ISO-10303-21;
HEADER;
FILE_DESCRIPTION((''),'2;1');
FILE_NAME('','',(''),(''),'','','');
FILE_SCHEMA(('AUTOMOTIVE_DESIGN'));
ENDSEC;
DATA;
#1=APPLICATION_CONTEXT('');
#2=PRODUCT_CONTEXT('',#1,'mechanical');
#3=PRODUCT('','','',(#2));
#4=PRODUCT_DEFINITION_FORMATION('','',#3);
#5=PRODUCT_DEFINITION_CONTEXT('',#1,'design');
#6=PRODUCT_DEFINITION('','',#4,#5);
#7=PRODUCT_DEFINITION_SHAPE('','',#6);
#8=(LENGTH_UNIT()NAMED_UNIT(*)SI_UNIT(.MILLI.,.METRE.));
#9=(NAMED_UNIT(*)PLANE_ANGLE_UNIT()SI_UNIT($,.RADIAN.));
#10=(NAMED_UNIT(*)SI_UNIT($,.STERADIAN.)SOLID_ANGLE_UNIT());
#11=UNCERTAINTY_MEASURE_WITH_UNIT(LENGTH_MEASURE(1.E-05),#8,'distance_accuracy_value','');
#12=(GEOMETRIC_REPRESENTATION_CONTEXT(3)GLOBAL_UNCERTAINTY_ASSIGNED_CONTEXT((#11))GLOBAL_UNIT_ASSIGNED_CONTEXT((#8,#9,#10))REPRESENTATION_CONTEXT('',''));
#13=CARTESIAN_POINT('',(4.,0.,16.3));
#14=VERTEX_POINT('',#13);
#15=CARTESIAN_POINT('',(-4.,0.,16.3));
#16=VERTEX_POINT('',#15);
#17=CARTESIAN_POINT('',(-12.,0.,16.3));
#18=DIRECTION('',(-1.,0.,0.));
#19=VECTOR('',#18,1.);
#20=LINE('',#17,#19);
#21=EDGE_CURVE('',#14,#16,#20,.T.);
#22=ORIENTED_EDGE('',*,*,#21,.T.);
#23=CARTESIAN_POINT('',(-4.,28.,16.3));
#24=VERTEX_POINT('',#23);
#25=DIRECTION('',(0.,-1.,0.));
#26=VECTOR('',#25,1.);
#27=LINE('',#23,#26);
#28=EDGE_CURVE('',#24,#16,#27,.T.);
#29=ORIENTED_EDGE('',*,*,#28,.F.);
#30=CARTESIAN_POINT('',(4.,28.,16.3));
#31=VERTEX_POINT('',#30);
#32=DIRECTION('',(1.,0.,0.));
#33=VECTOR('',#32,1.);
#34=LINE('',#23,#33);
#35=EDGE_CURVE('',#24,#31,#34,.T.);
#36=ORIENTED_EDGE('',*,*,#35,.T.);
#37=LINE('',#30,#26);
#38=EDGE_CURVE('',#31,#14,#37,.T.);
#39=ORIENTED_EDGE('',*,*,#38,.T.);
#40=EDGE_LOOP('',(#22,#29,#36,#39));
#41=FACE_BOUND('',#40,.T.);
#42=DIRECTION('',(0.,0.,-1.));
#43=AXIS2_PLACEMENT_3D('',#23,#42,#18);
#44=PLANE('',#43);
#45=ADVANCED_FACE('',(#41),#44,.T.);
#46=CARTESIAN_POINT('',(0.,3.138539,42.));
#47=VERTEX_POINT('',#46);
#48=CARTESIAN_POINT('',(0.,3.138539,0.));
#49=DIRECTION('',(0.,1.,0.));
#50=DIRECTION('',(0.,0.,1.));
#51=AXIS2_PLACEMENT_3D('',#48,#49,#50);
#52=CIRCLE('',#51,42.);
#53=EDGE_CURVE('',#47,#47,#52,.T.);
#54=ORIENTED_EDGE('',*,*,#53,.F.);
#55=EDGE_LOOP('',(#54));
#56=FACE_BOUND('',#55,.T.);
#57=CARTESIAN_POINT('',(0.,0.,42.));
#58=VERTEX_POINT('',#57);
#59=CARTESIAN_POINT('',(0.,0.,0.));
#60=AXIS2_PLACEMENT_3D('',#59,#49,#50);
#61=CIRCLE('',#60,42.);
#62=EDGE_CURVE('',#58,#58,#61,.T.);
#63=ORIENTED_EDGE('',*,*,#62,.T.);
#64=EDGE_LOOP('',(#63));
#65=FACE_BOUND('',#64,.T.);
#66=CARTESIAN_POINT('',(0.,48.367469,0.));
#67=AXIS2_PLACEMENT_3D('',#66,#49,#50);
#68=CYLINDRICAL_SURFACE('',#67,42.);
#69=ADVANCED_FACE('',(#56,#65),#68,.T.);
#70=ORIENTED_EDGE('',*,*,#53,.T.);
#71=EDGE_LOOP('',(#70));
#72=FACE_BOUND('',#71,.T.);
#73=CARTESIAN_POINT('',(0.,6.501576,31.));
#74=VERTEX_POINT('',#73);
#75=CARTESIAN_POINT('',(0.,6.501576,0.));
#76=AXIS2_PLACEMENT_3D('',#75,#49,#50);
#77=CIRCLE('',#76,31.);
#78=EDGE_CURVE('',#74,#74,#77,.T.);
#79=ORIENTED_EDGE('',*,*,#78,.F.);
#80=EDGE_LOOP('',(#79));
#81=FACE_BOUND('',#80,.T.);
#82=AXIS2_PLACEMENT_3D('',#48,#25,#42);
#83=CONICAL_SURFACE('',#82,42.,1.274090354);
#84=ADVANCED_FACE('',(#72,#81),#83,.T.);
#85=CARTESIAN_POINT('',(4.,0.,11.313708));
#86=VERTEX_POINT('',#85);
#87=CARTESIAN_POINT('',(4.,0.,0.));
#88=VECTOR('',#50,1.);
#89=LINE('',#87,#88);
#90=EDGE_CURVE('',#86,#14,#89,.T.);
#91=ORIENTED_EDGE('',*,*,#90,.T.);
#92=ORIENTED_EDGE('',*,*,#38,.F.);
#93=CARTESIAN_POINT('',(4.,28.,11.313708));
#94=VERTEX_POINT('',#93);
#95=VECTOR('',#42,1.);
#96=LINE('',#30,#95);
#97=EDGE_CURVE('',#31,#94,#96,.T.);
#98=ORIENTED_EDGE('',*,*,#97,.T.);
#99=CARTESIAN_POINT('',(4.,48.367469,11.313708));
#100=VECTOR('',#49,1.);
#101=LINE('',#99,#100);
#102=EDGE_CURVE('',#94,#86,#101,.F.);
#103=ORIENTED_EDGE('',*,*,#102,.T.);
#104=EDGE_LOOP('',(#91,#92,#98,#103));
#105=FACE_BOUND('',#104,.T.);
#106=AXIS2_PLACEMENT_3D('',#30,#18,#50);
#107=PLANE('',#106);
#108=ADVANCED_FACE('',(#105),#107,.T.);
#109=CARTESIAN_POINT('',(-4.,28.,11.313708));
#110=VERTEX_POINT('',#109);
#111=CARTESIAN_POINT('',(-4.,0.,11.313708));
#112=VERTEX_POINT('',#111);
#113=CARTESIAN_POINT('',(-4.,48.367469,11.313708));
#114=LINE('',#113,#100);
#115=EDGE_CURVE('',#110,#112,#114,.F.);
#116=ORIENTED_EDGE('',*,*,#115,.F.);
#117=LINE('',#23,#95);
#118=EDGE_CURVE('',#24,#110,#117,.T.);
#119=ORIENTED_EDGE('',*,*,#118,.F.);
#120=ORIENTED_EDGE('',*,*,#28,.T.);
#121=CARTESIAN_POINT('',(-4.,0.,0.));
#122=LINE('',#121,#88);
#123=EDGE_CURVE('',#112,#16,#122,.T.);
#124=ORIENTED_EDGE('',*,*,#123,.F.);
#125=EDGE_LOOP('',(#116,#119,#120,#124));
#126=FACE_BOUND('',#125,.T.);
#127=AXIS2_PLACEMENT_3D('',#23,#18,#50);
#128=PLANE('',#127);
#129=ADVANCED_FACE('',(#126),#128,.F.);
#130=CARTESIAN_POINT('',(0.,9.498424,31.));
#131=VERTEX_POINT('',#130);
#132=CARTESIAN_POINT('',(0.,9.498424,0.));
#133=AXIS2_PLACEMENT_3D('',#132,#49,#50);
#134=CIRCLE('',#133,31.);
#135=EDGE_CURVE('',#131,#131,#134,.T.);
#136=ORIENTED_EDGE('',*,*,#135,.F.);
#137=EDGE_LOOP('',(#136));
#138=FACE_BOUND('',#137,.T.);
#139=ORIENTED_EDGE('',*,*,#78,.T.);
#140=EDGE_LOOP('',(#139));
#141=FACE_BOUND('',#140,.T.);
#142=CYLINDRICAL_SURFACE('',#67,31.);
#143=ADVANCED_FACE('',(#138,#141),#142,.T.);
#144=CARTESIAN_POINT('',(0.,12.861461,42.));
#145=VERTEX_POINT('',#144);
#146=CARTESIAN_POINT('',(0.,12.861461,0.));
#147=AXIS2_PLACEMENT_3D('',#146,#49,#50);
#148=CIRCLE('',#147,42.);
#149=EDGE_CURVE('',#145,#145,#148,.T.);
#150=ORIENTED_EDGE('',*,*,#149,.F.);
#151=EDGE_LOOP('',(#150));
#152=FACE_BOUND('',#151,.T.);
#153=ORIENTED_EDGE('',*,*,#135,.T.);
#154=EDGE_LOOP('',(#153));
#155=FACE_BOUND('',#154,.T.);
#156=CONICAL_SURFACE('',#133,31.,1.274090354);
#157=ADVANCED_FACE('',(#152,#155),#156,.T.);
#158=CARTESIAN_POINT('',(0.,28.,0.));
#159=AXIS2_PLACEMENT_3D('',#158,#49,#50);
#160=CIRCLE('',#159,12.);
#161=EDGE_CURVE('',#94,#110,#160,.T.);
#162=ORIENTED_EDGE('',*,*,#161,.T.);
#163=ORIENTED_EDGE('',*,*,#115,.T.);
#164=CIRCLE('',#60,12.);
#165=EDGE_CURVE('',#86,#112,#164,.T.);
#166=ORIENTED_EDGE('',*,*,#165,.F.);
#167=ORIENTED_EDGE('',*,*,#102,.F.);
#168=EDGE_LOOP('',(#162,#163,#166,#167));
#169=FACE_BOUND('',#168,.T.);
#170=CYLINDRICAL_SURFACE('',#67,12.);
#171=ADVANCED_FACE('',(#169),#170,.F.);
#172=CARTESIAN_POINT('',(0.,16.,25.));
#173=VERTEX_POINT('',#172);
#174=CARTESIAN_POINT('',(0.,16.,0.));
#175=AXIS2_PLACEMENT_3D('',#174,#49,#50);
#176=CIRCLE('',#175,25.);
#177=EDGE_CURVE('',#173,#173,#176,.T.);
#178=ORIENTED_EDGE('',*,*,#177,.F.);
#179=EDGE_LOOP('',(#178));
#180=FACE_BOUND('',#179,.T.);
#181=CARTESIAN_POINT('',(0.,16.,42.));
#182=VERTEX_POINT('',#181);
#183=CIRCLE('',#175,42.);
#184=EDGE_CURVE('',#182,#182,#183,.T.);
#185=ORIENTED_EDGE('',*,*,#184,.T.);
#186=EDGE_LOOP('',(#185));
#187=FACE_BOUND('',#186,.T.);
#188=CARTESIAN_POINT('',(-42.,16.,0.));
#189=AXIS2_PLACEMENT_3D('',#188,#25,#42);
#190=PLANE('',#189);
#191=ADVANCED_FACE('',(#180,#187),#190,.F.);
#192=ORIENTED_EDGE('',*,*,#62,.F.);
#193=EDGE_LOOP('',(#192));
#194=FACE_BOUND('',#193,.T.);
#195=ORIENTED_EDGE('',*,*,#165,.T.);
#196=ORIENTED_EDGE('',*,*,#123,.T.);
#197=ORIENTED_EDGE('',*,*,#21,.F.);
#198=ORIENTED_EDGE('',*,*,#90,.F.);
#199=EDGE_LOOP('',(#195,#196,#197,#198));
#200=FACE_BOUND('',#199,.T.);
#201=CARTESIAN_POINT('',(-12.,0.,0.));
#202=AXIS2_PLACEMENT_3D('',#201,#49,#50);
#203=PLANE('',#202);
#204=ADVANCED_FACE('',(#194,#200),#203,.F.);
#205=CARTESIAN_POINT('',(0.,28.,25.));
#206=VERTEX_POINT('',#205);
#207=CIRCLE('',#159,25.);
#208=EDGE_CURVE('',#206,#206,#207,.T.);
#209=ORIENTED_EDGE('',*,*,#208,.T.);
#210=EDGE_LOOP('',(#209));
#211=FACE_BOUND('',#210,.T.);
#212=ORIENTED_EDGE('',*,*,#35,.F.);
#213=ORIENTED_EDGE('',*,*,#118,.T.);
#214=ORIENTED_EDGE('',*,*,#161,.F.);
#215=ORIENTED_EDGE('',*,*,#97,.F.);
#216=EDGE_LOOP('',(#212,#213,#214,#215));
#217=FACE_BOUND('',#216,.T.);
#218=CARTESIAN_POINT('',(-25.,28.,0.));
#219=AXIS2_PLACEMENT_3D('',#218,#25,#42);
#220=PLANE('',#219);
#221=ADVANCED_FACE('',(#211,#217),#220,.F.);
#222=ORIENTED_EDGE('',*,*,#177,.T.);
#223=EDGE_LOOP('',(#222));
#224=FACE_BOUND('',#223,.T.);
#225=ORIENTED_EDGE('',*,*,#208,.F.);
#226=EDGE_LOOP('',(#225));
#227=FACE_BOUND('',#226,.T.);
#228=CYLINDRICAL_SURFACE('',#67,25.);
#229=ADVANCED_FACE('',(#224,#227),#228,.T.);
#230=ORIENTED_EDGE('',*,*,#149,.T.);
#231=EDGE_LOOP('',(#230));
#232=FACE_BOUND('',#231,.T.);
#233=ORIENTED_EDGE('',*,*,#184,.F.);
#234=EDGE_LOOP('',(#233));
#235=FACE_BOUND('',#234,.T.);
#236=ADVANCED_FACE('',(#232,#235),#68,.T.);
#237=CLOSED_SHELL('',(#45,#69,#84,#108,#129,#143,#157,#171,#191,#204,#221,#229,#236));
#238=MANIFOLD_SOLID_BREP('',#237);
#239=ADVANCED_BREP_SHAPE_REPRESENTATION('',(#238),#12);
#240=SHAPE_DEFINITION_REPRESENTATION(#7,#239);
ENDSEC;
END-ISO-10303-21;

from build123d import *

# Parameters (mm, degrees)
CUT_EXTRUDE1_DEPTH      = 66.665820638
CUT_EXTRUDE1_DEPTH_BACK = 66.665820638
SKETCH2_W               = 8
SKETCH2_H               = 16.3


with BuildPart() as part:
    # Sketch1 → Revolve1 (revolve)
    with BuildSketch(Plane.XY, mode=Mode.PRIVATE) as revolve1_sk:
        Polygon((-12, 0), (-42, 0), (-42, 3.138538637), (-31, 6.501576133), (-31, 9.498423867), (-42, 12.861461363), (-42, 16), (-25, 16), (-25, 28), (-12, 28), align=None)
    revolve(revolve1_sk.sketch.rotate(Axis((0, 48.367469203, 0), (0, -1, 0)), 270), axis=Axis((0, 48.367469203, 0), (0, -1, 0)))

    # Sketch2 → Cut-Extrude1 (cut, two sides: drawn at the far end of the back side and taken through both)
    with BuildSketch(Plane(origin=(0, 0, 0), x_dir=(1, 0, 0), z_dir=(0, 1, 0)).offset(-CUT_EXTRUDE1_DEPTH_BACK)):
        with Locations((0, -8.15)):
            Rectangle(SKETCH2_W, SKETCH2_H)
    extrude(amount=CUT_EXTRUDE1_DEPTH + CUT_EXTRUDE1_DEPTH_BACK, mode=Mode.SUBTRACT)


solid = part.part
